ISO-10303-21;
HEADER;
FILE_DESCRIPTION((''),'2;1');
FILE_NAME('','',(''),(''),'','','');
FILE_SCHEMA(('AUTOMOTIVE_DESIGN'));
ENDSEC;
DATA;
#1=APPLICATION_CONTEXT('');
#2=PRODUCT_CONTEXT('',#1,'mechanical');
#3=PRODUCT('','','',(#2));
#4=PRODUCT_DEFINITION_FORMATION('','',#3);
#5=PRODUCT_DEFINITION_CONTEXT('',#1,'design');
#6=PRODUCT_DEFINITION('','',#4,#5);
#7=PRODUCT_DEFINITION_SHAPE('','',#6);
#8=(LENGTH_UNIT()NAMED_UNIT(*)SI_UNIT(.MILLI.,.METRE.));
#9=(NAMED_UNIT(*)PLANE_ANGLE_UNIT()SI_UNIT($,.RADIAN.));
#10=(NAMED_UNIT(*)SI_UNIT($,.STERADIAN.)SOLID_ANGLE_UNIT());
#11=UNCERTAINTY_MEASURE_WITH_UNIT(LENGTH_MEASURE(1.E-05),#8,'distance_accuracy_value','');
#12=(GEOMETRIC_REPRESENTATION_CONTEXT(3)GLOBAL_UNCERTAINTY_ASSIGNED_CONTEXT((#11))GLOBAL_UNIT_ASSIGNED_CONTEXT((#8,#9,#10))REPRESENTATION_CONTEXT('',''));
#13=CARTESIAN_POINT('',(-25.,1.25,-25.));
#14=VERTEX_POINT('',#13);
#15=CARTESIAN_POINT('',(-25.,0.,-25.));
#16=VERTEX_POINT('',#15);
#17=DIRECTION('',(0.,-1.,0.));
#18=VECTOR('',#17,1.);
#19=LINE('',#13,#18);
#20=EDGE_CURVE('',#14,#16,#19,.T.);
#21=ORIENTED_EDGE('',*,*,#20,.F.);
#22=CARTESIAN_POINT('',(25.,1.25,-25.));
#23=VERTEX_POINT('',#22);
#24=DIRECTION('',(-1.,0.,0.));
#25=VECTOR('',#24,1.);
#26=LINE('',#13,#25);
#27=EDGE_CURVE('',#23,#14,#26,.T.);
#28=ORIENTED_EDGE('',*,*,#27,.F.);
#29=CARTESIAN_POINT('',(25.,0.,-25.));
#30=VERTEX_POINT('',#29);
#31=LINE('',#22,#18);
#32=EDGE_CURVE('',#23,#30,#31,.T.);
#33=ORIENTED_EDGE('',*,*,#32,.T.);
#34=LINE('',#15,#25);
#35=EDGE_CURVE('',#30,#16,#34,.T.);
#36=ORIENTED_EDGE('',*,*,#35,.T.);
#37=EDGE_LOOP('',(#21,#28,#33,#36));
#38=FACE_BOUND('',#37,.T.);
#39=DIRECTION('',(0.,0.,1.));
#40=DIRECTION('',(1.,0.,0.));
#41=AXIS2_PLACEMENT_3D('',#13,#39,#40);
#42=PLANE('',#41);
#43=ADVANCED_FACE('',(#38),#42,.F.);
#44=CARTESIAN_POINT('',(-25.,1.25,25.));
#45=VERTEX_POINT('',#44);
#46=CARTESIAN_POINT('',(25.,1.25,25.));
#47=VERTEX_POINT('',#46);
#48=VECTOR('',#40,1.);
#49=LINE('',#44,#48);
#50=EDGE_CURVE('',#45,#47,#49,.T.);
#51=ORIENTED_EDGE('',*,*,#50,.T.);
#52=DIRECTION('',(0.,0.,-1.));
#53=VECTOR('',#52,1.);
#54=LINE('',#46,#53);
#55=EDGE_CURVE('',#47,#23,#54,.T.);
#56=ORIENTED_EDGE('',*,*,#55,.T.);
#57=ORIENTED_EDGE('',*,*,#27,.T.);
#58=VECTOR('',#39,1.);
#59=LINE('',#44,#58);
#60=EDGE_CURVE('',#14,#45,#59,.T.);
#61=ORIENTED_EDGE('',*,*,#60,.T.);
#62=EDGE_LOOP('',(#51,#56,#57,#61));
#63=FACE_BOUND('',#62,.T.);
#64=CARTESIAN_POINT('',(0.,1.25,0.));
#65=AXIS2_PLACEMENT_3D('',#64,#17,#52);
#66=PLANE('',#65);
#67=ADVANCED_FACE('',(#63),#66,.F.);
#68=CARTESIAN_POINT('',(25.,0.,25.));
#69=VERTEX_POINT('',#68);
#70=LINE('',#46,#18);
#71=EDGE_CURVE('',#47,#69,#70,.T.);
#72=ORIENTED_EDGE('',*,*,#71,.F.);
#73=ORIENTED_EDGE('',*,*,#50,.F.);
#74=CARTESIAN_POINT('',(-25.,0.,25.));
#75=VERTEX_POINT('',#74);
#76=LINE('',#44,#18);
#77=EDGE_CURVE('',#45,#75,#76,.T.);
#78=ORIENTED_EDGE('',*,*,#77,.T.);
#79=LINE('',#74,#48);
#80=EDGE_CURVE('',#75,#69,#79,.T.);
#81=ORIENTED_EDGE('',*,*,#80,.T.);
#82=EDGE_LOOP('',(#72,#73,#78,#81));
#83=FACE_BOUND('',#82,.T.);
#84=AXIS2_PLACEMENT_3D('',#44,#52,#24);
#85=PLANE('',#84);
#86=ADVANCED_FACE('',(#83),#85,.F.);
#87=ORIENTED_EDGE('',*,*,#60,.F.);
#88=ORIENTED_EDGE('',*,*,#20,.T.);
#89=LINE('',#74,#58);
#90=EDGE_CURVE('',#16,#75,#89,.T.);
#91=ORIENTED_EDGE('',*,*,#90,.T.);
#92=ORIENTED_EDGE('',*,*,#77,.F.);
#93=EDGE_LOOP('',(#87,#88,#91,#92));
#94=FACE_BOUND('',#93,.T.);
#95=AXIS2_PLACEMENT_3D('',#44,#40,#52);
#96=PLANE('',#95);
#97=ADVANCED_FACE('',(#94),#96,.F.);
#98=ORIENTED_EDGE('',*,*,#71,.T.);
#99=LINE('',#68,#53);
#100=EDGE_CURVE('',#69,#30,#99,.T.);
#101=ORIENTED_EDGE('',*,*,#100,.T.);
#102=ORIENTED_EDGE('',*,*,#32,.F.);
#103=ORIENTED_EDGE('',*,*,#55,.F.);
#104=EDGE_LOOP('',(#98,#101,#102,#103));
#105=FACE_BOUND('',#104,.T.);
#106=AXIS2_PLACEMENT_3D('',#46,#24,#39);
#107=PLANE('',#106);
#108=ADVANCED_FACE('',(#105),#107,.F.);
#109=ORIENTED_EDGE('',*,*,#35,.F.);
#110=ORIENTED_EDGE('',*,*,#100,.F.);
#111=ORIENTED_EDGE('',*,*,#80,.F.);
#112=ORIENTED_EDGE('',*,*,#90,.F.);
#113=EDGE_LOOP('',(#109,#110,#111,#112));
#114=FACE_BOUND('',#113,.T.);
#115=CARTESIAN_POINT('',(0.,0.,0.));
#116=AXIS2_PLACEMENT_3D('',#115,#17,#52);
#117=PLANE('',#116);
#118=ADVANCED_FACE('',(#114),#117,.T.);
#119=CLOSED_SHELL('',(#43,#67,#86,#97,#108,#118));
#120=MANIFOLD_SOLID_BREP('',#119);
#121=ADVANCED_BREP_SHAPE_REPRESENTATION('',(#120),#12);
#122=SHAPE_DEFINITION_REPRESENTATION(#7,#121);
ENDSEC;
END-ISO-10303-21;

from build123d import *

# Parameters (mm, degrees)
SKETCH_1_W      = 50
SKETCH_1_H      = 50
EXTRUDE_1_DEPTH = 1.25


with BuildPart() as part:
    # 草图1 → 凸台-拉伸1 (new body)
    with BuildSketch(Plane(origin=(0, 0, 0), x_dir=(1, 0, 0), z_dir=(0, 1, 0))):
        Rectangle(SKETCH_1_W, SKETCH_1_H)
    extrude(amount=EXTRUDE_1_DEPTH)


solid = part.part
